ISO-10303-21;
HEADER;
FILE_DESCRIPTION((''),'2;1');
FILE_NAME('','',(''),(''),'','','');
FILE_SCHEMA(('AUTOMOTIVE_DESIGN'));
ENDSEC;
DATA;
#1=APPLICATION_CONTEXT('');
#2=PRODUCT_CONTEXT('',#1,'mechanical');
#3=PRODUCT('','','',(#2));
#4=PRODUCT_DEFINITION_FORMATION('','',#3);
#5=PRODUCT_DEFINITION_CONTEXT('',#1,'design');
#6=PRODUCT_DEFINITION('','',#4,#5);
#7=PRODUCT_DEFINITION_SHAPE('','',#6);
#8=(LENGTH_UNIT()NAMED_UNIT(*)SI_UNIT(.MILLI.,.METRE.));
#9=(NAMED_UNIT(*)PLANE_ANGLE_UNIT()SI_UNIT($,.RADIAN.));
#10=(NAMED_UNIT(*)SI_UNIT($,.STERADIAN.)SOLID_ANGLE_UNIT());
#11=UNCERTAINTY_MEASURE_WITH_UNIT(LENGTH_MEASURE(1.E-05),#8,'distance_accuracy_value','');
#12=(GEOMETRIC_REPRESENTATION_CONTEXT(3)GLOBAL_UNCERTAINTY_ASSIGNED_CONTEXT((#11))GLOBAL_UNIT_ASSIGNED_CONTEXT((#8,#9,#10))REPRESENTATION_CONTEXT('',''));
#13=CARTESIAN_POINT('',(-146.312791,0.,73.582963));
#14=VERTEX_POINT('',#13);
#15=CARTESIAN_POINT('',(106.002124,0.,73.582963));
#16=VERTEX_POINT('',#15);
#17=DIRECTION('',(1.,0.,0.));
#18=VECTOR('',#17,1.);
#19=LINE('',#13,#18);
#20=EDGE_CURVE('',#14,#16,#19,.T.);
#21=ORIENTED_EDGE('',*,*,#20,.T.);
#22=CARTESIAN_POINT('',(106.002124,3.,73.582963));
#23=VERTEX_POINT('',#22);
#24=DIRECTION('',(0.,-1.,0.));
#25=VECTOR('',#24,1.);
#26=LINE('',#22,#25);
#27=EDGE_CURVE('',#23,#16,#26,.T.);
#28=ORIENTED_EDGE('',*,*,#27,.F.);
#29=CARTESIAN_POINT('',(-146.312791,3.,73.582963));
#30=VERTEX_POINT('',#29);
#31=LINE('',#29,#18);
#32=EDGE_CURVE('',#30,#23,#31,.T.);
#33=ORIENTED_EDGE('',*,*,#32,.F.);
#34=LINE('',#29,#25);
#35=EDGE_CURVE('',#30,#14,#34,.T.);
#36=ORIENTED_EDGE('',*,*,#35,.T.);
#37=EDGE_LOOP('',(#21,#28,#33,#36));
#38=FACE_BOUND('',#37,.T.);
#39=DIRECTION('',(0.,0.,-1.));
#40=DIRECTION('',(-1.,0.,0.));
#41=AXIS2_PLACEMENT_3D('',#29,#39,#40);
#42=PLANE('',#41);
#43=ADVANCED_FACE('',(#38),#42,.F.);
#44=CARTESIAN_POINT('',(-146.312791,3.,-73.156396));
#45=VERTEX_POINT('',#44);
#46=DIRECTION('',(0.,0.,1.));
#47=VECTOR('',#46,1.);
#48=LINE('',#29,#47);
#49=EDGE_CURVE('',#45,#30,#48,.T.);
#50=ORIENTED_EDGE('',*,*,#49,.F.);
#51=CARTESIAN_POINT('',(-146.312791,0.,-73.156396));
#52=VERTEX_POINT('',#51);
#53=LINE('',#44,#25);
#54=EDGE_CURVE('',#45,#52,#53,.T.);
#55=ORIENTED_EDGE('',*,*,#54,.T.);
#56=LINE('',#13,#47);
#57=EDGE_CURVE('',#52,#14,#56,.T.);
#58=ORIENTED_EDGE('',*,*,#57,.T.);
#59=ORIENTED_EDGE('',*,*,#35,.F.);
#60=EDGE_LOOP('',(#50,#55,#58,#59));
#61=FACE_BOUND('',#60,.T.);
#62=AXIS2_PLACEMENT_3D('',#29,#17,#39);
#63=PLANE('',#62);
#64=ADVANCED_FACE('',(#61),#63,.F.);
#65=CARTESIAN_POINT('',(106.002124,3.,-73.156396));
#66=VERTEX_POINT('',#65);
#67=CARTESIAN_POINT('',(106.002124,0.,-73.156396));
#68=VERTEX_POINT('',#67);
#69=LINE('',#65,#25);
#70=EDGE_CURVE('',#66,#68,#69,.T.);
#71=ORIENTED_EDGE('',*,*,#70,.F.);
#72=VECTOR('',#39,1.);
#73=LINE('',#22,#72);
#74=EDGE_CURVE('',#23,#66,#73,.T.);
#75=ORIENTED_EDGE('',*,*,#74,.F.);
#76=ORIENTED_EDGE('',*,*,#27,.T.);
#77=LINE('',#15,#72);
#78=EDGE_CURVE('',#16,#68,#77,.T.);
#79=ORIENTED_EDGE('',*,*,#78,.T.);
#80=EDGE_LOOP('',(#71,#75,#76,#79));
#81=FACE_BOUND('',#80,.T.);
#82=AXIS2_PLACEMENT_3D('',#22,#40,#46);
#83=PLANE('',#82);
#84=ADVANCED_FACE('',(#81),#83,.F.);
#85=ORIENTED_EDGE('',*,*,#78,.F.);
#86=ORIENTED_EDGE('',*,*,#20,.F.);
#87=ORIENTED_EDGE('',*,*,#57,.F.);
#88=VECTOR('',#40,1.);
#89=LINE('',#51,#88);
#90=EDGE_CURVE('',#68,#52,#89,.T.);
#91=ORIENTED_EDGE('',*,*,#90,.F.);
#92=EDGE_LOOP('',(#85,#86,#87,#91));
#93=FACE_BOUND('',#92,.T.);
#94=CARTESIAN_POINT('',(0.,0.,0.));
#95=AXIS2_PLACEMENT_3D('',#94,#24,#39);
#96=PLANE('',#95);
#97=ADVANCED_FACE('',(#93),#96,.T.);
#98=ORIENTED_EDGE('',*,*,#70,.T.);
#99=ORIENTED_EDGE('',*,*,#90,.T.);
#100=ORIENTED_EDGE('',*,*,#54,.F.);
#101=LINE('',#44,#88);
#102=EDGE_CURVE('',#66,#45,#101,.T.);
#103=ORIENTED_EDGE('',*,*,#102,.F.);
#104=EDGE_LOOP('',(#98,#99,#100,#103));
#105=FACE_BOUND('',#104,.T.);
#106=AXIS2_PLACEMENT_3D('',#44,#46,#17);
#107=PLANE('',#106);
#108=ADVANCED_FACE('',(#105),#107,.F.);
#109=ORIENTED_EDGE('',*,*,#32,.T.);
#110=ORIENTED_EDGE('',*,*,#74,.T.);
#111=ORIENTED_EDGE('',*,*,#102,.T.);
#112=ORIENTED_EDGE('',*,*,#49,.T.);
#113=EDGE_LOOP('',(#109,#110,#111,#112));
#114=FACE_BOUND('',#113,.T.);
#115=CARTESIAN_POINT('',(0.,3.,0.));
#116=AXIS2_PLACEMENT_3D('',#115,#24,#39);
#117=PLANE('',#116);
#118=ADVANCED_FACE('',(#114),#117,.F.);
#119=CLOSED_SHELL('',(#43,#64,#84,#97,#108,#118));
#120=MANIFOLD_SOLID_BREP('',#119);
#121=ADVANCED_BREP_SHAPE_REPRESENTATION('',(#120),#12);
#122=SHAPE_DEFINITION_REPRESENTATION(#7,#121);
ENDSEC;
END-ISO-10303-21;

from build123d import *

# Parameters (mm, degrees)
SKETCH1_W           = 252.314915399
SKETCH1_H           = 146.739359082
BOSS_EXTRUDE1_DEPTH = 3


with BuildPart() as part:
    # Sketch1 → Boss-Extrude1 (new body)
    with BuildSketch(Plane(origin=(0, 0, 0), x_dir=(1, 0, 0), z_dir=(0, 1, 0))):
        with Locations((-20.155333478, -0.213283952)):
            Rectangle(SKETCH1_W, SKETCH1_H)
    extrude(amount=BOSS_EXTRUDE1_DEPTH)


solid = part.part
